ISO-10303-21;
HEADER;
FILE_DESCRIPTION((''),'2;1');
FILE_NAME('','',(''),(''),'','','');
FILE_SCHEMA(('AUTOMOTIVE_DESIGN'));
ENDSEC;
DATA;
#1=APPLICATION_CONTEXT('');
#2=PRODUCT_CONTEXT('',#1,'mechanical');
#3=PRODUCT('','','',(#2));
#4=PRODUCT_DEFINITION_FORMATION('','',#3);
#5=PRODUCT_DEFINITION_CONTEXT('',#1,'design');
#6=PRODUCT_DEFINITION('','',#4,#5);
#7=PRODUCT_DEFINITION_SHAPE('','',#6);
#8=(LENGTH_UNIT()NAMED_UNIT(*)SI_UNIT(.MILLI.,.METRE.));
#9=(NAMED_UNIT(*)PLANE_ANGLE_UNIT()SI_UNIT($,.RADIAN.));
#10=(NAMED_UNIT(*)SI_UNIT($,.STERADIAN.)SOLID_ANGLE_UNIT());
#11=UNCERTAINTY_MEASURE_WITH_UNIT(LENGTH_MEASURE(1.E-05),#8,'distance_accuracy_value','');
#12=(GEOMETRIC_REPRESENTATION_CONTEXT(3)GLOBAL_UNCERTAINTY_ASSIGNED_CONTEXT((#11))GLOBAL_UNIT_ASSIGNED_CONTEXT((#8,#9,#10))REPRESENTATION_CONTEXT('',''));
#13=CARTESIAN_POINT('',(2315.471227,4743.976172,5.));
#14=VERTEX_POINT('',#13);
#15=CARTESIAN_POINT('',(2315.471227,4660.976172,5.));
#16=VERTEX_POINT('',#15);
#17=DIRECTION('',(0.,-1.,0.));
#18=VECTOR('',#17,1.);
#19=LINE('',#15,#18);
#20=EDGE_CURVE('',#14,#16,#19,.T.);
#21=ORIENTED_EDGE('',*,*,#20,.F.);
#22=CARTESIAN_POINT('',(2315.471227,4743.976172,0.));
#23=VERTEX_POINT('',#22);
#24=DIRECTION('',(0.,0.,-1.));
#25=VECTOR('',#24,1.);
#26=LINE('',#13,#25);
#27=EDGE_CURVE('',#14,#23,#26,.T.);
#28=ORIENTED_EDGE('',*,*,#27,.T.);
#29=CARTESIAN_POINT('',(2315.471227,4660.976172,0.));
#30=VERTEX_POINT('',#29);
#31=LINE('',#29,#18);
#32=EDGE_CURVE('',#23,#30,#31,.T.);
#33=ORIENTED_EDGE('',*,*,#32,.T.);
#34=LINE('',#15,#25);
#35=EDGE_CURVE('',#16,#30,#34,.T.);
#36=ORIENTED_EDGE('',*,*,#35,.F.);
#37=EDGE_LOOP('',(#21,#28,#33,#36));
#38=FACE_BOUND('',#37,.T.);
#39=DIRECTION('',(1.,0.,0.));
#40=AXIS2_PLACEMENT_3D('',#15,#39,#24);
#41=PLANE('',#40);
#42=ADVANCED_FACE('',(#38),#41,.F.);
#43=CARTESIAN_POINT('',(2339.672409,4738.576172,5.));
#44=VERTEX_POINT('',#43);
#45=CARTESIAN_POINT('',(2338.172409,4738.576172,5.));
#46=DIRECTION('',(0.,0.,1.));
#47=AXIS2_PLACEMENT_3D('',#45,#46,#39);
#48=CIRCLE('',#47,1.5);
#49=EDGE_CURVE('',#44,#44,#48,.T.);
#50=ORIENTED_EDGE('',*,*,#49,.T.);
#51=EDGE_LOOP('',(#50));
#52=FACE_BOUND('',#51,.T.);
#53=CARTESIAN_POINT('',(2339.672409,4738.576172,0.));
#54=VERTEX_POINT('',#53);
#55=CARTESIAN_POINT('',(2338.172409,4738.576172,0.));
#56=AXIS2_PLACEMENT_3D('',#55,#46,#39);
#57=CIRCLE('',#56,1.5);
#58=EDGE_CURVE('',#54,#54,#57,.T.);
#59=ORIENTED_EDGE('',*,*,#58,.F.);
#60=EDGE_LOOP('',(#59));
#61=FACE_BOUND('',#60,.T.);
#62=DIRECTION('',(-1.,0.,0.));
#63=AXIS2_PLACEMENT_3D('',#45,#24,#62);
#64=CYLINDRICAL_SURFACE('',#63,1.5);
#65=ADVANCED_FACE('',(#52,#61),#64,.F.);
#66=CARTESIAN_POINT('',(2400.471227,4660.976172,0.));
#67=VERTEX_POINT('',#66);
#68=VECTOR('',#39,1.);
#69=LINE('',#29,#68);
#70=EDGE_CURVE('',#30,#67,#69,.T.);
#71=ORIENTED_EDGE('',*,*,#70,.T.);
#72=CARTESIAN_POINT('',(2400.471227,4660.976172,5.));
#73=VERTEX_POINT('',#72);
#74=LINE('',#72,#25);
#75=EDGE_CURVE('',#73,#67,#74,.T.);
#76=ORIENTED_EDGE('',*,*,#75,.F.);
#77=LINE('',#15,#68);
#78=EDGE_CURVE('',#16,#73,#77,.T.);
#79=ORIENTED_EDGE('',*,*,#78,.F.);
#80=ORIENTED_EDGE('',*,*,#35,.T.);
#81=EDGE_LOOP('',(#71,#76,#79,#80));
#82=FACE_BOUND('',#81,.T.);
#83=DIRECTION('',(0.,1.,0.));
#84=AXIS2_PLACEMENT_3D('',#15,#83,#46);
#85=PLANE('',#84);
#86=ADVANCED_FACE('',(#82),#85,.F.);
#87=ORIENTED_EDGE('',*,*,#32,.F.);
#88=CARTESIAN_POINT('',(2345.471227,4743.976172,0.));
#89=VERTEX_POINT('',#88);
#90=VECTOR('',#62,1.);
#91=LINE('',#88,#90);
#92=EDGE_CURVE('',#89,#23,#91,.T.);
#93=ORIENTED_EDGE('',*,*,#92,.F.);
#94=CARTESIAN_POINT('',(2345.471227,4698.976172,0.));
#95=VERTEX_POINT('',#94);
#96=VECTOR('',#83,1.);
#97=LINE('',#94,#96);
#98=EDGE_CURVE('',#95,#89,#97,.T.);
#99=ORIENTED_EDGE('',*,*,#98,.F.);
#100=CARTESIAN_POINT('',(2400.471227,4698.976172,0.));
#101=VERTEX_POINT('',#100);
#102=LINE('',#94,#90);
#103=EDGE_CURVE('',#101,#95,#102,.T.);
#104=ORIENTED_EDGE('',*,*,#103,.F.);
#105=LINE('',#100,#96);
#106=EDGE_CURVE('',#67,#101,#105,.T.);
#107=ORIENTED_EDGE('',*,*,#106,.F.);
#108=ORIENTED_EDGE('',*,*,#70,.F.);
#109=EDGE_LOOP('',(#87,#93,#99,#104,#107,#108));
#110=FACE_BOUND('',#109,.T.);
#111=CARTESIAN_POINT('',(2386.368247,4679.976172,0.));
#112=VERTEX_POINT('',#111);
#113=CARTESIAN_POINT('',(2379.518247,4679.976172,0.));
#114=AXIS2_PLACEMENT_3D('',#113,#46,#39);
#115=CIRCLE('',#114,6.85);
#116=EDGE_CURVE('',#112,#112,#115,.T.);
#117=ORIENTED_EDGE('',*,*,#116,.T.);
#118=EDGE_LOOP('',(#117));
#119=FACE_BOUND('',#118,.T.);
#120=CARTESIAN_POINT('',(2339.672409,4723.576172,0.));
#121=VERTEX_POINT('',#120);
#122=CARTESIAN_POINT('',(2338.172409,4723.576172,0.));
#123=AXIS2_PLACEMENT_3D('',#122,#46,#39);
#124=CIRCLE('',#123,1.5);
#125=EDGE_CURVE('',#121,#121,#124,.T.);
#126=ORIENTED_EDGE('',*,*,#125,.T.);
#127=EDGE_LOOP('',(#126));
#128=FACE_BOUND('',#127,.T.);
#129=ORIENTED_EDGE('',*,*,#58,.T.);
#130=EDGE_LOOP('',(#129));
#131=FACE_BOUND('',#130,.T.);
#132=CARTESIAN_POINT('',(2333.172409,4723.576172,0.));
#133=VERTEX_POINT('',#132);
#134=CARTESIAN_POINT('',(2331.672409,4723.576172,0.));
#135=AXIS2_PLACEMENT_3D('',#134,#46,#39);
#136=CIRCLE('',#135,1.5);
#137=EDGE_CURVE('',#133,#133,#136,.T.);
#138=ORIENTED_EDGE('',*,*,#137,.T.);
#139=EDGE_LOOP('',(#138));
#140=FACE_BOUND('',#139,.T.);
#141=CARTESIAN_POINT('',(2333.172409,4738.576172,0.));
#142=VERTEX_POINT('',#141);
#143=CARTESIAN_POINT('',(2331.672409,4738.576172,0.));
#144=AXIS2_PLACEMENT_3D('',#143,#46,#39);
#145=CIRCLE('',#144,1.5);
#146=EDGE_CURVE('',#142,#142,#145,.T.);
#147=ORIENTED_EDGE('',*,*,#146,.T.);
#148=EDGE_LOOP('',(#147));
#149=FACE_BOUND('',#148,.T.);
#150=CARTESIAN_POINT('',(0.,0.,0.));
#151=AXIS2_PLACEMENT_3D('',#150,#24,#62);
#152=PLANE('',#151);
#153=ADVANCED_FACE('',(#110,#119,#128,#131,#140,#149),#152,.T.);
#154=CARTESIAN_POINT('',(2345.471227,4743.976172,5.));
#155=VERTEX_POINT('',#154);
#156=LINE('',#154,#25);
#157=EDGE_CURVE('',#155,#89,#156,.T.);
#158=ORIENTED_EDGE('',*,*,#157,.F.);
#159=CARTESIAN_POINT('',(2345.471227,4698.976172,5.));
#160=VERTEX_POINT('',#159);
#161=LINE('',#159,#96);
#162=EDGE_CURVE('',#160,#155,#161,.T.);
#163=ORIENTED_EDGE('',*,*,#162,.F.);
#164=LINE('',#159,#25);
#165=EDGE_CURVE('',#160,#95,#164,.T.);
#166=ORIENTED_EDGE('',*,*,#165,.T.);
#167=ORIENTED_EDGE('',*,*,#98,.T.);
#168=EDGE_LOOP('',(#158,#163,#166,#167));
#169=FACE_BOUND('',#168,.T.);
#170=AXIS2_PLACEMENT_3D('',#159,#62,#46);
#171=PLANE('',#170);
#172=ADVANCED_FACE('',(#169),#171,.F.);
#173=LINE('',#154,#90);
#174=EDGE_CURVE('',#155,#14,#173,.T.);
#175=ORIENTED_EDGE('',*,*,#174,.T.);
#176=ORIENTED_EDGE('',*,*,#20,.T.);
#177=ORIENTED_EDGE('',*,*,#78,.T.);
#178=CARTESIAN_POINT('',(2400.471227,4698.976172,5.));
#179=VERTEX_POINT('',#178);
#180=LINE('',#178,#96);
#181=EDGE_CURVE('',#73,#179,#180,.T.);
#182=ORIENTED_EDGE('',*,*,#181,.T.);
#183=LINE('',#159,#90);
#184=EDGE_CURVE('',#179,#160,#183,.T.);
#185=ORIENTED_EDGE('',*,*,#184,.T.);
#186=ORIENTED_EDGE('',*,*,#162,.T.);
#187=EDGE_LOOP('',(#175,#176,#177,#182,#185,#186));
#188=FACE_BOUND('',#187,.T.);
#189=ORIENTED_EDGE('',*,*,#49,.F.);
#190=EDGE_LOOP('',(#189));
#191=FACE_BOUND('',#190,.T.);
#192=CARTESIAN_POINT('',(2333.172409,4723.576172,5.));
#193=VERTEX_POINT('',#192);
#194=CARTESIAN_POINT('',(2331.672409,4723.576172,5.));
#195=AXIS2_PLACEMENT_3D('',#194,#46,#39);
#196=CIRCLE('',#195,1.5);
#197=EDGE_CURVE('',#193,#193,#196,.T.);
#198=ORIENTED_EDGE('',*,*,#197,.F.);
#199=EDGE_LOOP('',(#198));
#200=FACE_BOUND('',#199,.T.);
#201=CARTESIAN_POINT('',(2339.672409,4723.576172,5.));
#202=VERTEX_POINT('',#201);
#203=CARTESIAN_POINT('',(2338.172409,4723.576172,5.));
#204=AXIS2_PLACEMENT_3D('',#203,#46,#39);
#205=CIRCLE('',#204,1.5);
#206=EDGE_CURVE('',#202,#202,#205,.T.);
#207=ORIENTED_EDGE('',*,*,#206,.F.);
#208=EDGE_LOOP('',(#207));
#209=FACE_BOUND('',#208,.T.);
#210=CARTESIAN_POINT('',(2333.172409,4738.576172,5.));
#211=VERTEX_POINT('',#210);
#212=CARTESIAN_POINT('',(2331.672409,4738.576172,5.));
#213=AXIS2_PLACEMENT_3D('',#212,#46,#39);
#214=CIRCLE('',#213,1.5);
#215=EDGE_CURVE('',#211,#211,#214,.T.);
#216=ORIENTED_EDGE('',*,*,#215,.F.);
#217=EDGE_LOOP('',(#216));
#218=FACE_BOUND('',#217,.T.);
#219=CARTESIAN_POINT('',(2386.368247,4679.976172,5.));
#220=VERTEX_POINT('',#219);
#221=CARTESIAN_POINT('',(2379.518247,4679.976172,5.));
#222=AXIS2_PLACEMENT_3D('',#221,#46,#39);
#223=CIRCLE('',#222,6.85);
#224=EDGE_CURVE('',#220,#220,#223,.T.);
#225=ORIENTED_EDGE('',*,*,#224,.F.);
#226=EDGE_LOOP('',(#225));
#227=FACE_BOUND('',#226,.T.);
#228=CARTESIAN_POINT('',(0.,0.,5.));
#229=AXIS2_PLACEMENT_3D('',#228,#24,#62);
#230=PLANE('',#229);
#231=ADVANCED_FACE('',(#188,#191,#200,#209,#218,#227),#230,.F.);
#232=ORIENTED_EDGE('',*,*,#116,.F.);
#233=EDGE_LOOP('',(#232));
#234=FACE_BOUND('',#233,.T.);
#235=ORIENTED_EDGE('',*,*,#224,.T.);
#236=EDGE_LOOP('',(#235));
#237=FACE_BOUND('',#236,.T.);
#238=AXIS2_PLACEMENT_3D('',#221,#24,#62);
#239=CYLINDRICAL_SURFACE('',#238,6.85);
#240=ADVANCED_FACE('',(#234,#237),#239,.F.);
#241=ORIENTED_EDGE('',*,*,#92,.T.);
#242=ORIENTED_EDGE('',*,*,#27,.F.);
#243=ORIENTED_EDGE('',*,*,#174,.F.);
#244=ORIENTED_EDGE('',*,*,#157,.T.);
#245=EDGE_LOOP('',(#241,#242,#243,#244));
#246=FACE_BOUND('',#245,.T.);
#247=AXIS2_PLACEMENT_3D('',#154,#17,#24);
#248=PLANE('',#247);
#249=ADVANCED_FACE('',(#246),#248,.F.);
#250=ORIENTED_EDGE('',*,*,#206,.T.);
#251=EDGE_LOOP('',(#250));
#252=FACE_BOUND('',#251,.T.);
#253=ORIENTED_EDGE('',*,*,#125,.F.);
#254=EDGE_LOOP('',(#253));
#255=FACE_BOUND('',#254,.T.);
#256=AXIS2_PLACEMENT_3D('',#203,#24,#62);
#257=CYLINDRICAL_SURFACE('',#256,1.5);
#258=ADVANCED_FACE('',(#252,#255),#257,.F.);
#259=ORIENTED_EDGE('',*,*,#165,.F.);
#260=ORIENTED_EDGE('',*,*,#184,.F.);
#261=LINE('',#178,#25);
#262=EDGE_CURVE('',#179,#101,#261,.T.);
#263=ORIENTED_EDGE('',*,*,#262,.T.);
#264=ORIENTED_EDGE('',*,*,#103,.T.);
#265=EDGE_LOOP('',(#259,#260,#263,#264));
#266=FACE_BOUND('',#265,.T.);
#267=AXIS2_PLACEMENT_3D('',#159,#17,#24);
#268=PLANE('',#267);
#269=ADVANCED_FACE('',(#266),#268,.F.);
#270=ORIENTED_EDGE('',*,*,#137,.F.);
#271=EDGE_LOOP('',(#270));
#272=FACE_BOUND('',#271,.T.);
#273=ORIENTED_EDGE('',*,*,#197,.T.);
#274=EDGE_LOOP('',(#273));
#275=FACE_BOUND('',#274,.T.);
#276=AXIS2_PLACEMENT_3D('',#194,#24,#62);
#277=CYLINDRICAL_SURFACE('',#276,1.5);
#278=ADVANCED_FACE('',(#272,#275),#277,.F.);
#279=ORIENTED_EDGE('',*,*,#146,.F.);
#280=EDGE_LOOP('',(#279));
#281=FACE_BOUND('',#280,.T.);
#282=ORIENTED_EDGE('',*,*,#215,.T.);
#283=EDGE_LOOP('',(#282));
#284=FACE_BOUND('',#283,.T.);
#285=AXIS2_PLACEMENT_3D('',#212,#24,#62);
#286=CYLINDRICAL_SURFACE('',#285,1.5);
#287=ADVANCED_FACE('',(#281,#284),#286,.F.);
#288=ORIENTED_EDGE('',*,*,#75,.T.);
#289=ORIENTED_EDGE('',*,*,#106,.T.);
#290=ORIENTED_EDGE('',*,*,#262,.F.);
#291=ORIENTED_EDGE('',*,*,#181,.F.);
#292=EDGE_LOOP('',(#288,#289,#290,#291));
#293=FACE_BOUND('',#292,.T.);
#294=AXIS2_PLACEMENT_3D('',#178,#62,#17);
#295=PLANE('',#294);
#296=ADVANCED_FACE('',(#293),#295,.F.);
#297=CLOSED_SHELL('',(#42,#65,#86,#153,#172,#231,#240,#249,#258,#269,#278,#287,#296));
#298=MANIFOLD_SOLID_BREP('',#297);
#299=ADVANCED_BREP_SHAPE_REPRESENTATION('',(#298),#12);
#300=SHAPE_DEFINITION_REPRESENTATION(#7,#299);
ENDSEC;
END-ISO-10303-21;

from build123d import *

# Parameters (mm, degrees)
SKETCH_7_R      = 1.5
SKETCH_7_R_2    = 6.85
EXTRUDE_6_DEPTH = 5


with BuildPart() as part:
    # 草图7 → 凸台-拉伸6 (new body)
    with BuildSketch(Plane.XY):
        Polygon((2345.47122728, 4698.976172331), (2345.47122728, 4743.976172331), (2315.47122728, 4743.976172331), (2315.47122728, 4660.976172331), (2400.47122728, 4660.976172331), (2400.47122728, 4698.976172331), align=None)
        with Locations((2338.172409077, 4738.576172331)):
            Circle(SKETCH_7_R, mode=Mode.SUBTRACT)
        with Locations((2338.172409077, 4723.576172331)):
            Circle(SKETCH_7_R, mode=Mode.SUBTRACT)
        with Locations((2331.672409077, 4738.576172331)):
            Circle(SKETCH_7_R, mode=Mode.SUBTRACT)
        with Locations((2331.672409077, 4723.576172331)):
            Circle(SKETCH_7_R, mode=Mode.SUBTRACT)
        with Locations((2379.518247339, 4679.976172331)):
            Circle(SKETCH_7_R_2, mode=Mode.SUBTRACT)
    extrude(amount=EXTRUDE_6_DEPTH)


solid = part.part
